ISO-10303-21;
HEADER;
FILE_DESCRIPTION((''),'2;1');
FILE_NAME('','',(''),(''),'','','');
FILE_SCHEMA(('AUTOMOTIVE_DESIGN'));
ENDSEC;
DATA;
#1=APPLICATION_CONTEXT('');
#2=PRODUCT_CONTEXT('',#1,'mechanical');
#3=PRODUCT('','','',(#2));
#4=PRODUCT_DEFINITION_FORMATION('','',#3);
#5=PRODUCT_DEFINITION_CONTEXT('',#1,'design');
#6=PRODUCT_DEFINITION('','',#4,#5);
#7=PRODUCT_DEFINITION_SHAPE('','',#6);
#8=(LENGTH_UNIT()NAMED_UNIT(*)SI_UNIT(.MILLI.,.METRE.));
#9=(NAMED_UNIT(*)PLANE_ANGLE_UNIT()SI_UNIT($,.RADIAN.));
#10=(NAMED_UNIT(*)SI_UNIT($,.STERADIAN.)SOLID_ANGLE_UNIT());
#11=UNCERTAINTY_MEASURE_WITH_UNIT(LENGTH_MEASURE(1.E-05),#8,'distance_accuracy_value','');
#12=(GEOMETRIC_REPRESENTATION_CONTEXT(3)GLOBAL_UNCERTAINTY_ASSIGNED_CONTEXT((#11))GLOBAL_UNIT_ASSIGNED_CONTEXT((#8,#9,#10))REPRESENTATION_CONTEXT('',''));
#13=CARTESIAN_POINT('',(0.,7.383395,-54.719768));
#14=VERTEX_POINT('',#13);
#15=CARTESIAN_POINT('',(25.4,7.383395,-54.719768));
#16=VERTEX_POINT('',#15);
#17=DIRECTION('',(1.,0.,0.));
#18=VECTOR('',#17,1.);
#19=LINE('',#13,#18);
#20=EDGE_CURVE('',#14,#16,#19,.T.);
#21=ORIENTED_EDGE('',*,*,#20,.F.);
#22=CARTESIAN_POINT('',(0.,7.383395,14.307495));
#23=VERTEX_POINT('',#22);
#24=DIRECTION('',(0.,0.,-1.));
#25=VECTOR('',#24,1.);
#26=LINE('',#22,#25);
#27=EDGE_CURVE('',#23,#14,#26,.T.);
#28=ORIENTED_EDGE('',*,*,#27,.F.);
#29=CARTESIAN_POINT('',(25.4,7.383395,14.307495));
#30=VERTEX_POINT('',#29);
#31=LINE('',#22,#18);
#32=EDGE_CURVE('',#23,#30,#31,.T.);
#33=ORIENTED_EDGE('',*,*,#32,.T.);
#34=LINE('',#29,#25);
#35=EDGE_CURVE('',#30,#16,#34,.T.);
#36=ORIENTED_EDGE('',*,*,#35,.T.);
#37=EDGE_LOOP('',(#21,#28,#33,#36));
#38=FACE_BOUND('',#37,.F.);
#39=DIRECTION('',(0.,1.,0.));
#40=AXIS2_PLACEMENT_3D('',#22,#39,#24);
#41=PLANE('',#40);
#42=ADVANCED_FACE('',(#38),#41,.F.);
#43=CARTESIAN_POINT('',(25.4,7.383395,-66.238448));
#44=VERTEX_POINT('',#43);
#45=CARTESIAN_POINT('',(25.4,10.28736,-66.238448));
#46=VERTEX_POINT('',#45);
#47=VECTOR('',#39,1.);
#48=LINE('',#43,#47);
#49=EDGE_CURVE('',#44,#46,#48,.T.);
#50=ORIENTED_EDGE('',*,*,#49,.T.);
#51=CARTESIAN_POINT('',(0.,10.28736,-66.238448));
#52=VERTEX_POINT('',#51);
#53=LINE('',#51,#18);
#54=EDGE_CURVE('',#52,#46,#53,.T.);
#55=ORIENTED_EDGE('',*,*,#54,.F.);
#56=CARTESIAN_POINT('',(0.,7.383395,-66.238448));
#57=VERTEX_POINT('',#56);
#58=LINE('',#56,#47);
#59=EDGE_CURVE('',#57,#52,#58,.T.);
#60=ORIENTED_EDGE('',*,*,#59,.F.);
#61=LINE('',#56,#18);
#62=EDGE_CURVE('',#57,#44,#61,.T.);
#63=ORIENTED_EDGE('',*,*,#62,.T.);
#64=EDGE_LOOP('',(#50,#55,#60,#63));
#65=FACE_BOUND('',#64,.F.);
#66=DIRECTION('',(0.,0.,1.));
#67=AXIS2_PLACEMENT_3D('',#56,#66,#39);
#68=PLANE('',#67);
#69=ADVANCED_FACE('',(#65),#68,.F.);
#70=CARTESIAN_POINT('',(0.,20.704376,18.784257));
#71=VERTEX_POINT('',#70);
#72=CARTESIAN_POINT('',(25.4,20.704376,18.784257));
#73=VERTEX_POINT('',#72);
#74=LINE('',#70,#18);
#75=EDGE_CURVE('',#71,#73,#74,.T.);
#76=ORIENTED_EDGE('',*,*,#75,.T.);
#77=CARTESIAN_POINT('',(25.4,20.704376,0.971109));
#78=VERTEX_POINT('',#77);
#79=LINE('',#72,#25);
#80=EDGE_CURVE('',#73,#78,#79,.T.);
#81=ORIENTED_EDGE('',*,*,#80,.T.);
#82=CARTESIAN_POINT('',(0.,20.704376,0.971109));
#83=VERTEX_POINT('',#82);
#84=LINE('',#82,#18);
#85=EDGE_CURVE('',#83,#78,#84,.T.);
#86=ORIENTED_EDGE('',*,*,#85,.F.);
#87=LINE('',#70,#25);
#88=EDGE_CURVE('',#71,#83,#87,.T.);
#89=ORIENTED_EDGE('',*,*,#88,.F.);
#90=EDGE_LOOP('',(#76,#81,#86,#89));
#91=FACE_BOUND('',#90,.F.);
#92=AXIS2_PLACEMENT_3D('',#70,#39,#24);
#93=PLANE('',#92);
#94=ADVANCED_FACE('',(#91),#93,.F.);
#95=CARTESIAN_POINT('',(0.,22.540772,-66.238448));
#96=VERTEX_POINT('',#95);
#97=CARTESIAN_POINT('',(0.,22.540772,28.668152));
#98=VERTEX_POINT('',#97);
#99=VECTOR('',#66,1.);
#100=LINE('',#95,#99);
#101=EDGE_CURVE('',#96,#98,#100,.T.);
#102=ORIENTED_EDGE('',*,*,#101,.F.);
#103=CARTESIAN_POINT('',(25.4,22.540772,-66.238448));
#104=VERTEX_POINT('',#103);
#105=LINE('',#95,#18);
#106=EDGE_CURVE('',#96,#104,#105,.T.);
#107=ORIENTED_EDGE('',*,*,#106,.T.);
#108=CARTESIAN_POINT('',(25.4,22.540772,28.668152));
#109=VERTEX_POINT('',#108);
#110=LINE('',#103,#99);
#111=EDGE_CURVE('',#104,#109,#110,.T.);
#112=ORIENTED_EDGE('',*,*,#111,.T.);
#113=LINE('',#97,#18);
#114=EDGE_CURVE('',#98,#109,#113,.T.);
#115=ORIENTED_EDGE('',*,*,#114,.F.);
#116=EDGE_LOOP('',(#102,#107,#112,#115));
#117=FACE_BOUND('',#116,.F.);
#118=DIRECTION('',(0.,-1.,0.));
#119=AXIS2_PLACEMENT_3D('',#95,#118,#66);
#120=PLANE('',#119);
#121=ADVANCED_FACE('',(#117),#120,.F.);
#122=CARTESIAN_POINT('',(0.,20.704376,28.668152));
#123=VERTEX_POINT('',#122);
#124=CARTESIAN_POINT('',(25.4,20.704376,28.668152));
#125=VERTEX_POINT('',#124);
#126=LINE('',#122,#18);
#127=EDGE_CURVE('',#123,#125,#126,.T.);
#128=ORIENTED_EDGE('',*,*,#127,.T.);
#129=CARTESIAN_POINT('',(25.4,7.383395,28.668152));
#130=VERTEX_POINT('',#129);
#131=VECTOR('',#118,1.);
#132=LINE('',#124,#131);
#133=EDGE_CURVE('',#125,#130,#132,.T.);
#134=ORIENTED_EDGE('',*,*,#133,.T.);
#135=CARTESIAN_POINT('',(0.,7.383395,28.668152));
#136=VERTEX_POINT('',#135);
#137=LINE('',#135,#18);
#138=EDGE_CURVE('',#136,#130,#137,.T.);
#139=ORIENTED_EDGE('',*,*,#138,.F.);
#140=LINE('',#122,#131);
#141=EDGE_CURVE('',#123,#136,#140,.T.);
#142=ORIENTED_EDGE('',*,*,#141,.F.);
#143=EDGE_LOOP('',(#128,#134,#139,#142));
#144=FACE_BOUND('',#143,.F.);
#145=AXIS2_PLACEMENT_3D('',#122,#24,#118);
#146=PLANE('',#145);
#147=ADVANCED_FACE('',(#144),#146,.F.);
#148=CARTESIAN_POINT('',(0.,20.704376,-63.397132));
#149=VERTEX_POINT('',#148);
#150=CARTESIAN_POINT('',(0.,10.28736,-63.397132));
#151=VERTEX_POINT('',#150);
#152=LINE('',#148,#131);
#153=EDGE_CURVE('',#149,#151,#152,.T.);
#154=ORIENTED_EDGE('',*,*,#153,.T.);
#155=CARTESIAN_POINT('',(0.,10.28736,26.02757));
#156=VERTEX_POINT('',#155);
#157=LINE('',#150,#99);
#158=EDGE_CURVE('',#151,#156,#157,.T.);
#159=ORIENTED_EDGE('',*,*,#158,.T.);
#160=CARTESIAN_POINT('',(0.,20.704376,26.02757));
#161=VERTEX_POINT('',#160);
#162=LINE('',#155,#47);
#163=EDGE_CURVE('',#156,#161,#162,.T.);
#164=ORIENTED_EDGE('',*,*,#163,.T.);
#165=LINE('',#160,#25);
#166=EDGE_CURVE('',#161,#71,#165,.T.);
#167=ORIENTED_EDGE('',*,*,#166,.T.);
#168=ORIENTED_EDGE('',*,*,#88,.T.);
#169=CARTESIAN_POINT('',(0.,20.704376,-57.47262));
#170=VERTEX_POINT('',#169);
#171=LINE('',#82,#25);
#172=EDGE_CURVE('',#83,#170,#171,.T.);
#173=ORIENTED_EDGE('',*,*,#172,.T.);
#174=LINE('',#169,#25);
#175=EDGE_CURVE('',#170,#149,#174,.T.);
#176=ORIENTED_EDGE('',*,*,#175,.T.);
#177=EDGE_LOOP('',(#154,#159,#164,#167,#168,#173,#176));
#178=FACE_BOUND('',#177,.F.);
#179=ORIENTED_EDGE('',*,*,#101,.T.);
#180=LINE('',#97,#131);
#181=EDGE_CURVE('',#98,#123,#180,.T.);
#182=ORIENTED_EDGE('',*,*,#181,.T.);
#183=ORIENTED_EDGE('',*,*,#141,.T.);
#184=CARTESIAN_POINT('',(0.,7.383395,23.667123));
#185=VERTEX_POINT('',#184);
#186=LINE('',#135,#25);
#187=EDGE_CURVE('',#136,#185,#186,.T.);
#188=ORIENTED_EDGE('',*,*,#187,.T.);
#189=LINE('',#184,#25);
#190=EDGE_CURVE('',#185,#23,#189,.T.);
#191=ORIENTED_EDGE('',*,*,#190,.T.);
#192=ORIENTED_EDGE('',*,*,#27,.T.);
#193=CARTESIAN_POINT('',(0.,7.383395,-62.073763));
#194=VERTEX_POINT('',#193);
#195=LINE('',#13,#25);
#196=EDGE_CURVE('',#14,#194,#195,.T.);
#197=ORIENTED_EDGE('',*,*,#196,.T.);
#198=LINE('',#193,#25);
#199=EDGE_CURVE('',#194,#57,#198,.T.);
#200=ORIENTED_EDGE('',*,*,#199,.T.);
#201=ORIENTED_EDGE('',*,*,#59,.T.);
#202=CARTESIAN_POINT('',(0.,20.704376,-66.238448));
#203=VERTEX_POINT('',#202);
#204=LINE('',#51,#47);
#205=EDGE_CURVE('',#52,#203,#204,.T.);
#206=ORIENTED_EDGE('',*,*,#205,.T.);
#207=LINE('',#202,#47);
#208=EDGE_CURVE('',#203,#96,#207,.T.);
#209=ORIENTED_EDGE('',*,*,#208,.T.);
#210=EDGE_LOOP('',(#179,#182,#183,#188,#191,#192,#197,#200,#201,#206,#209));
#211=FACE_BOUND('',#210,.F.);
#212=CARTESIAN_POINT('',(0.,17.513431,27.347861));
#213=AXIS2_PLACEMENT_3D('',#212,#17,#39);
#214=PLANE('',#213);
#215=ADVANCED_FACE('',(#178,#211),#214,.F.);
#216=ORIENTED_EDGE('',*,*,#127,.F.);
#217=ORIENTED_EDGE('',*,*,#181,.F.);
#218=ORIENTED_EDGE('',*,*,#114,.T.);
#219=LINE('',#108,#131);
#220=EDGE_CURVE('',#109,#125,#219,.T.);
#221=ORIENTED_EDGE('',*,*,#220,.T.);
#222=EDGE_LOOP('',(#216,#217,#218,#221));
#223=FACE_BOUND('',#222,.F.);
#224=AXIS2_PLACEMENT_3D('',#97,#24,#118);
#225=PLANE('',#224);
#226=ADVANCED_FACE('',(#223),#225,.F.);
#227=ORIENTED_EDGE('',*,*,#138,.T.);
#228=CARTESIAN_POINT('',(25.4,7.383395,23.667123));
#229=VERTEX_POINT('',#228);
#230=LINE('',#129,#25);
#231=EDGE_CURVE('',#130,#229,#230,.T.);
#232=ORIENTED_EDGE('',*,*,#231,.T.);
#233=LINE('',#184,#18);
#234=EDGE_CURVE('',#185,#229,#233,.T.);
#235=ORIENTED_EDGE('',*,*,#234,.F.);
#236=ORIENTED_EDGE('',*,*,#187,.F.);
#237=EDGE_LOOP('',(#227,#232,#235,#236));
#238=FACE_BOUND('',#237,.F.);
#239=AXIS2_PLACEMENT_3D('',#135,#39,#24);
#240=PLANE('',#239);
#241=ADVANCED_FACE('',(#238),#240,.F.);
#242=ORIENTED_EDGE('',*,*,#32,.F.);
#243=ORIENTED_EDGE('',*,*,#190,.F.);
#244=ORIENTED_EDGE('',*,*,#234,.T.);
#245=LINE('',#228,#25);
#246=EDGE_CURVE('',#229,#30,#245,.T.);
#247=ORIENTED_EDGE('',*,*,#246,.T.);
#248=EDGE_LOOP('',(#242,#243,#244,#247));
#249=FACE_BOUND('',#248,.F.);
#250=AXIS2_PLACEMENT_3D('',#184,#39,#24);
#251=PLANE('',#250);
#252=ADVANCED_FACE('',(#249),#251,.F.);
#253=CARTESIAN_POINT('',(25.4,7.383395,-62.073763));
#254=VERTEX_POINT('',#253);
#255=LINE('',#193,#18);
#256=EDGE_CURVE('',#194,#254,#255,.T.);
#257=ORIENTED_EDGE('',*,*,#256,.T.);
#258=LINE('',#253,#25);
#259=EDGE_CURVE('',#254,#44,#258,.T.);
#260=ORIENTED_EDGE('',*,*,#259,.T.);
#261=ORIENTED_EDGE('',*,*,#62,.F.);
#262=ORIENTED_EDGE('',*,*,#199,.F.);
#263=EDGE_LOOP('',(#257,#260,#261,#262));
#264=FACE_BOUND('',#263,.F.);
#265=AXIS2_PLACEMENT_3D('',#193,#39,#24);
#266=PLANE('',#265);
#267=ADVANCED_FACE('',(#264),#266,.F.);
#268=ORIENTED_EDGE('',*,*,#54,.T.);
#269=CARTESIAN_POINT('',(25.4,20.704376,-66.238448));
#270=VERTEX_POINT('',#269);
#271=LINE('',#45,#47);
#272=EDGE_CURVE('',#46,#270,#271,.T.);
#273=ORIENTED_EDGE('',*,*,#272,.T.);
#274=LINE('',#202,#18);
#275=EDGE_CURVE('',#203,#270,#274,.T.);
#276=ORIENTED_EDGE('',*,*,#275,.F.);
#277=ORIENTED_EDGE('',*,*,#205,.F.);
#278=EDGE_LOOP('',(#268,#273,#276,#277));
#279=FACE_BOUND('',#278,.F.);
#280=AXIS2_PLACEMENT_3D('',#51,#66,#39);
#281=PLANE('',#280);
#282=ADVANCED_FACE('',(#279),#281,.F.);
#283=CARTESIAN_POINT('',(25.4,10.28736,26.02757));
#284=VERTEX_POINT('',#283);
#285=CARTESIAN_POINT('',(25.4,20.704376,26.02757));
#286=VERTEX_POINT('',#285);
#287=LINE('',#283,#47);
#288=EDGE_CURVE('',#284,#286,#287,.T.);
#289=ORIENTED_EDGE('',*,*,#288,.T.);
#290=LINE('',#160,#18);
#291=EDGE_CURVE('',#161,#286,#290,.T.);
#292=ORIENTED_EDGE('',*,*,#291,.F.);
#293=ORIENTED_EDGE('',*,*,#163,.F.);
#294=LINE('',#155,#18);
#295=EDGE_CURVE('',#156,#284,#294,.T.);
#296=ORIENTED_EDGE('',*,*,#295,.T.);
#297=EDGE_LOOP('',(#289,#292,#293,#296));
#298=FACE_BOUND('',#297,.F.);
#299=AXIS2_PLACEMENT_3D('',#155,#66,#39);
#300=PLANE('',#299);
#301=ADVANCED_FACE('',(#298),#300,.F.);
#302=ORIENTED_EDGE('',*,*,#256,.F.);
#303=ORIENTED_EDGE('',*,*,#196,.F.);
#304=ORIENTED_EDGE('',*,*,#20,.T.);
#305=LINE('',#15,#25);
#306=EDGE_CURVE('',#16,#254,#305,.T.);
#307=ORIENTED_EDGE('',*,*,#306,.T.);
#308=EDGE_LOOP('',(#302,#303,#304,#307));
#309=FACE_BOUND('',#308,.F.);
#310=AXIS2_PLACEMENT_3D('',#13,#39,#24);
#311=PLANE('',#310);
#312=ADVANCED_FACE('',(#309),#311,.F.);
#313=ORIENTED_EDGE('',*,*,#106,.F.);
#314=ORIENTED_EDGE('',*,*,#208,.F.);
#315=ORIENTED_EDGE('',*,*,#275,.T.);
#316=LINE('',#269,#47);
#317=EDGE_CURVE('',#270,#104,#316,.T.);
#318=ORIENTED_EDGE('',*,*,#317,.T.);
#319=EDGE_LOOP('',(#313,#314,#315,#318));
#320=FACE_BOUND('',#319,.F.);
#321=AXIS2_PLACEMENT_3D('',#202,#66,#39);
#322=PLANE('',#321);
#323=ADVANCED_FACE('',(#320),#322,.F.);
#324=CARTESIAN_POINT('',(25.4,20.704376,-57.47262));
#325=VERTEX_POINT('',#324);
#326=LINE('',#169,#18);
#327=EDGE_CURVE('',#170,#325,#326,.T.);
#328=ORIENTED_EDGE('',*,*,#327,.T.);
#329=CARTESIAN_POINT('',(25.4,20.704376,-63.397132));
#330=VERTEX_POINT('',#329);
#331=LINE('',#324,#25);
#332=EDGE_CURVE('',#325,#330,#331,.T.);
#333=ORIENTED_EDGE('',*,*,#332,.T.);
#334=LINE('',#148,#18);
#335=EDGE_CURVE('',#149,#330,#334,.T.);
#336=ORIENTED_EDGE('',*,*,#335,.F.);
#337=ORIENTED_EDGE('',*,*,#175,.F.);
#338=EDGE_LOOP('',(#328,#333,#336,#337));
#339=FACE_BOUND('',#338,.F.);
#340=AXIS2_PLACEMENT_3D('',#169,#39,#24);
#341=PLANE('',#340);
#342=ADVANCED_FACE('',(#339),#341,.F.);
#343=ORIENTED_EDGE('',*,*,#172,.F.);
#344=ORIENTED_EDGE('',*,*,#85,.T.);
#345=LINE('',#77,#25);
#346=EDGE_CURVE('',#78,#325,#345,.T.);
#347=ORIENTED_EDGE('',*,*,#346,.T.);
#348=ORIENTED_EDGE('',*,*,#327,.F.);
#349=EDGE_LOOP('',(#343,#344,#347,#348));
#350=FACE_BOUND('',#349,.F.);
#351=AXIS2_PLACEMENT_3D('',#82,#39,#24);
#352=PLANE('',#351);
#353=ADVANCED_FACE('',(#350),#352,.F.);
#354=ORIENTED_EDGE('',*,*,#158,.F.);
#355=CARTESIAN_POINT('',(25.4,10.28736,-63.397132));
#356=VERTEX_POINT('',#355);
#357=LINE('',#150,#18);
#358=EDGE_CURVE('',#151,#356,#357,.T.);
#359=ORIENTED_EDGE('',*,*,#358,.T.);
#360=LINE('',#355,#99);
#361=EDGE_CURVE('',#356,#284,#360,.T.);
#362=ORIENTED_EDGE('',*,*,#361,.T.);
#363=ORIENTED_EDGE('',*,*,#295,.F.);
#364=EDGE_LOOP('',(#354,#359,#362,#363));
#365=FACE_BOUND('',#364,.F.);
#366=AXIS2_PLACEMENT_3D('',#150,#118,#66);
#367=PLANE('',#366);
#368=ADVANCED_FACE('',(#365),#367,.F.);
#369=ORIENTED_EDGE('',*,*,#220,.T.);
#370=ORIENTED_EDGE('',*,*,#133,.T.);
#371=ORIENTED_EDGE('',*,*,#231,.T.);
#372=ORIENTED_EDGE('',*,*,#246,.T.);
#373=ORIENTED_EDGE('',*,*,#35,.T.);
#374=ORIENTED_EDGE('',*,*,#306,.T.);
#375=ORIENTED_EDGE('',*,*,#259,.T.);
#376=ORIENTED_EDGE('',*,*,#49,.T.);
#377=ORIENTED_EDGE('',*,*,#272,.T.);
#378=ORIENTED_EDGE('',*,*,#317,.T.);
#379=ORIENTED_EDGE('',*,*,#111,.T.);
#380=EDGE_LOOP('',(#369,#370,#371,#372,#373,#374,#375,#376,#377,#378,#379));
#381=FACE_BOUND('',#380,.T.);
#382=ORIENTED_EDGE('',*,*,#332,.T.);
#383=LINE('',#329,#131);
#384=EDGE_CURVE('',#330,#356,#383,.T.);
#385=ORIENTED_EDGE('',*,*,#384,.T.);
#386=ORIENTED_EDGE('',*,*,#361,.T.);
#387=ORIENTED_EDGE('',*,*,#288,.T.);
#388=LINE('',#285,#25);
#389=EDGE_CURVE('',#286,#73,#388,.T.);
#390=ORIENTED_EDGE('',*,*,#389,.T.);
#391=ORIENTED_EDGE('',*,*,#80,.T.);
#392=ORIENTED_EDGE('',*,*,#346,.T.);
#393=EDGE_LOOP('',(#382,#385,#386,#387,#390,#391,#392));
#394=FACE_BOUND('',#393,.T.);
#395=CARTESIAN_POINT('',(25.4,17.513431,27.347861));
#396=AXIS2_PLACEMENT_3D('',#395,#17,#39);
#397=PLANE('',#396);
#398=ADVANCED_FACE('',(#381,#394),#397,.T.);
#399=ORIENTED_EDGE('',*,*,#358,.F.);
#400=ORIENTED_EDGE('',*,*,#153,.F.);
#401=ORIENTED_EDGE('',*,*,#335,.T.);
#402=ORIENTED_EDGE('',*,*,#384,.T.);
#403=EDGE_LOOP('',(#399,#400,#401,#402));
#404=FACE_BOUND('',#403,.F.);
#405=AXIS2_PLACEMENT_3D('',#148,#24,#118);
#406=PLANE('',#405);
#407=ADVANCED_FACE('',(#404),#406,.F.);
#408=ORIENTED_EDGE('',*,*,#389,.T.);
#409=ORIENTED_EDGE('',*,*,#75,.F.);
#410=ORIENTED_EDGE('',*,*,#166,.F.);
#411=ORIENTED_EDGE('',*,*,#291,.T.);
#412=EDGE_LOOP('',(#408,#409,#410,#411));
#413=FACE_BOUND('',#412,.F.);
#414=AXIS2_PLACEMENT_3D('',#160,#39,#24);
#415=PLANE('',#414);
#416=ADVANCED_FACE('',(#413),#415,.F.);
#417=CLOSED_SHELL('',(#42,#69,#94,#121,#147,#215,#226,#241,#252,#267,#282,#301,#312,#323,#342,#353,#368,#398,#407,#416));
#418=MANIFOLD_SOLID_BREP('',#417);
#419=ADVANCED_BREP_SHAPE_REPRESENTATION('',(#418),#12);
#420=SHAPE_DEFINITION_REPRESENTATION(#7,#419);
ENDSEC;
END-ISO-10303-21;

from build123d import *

# Parameters (mm, degrees)
F0_W     = 6.3818898052
F0_H     = 2.6405826211
F0_W_2   = 4.0351254866
F0_W_3   = 1.8363967538
F0_H_2   = 9.3658650294
F0_W_4   = 2.9039648362
F0_H_3   = 4.8469491303
F0_H_4   = 8.4472823073
F0_H_5   = 4.5126788318
F0_H_6   = 9.1429433669
F0_H_7   = 4.6798149124
F0_H_8   = 10.1367384195
F0_H_9   = 5.1812240854
F0_H_10  = 8.6460430175
F0_H_11  = 4.4464562088
F0_H_12  = 12.1996160597
F0_H_13  = 5.0803082995
F0_H_14  = 8.9819207788
F0_H_15  = 4.6798144467
F0_H_16  = 9.3364678323
F0_H_17  = 4.3455418199
F0_H_18  = 4.8469509929
F0_H_19  = 2.8413161635
F0_H_20  = 3.6769974977
F0_H_21  = 4.6798158437
F0_H_22  = 3.1755901873
F0_H_23  = 4.3455399573
F0_H_24  = 4.178404808
F0_H_25  = 4.1784085333
F0_H_26  = 4.6798139811
F1_DEPTH = 25.4


with BuildPart() as f1:
    # F0 (on Right) → F1 (new body)
    with BuildSketch(Plane.YZ):
        with Locations((17.5134306774, 27.3478608578)):
            Rectangle(F0_W, F0_H)
        with Locations((12.3049230315, 27.3478608578)):
            Rectangle(F0_W_2, F0_H)
        Polygon((22.5407723337, 28.6681521684), (20.70437558, 28.6681521684), (20.70437558, 26.0275695473), (20.70437558, 18.784256652), (22.5407723337, 18.784256652), align=None)
        Polygon((10.2873602882, 26.0275695473), (10.2873602882, 28.6681521684), (7.3833954521, 28.6681521684), (7.3833954521, 23.6671231687), (10.2873602882, 23.6671231687), align=None)
        with Locations((21.6225739568, 14.1013241373)):
            Rectangle(F0_W_3, F0_H_2)
        with Locations((8.8353778701, 21.2436486036)):
            Rectangle(F0_W_4, F0_H_3)
        with Locations((21.6225739568, 5.1947504689)):
            Rectangle(F0_W_3, F0_H_4)
        with Locations((8.8353778701, 16.5638346225)):
            Rectangle(F0_W_4, F0_H_5)
        with Locations((21.6225739568, -3.6003623682)):
            Rectangle(F0_W_3, F0_H_6)
        with Locations((8.8353778701, 11.9675877504)):
            Rectangle(F0_W_4, F0_H_7)
        with Locations((21.6225739568, -13.2402032614)):
            Rectangle(F0_W_3, F0_H_8)
        with Locations((8.8353778701, 7.0370682515)):
            Rectangle(F0_W_4, F0_H_9)
        with Locations((21.6225739568, -22.6315939799)):
            Rectangle(F0_W_3, F0_H_10)
        with Locations((8.8353778701, 2.2232281044)):
            Rectangle(F0_W_4, F0_H_11)
        with Locations((21.6225739568, -33.0544235185)):
            Rectangle(F0_W_3, F0_H_12)
        with Locations((8.8353778701, -2.5401541498)):
            Rectangle(F0_W_4, F0_H_13)
        with Locations((21.6225739568, -43.6451919377)):
            Rectangle(F0_W_3, F0_H_14)
        with Locations((8.8353778701, -7.4202155229)):
            Rectangle(F0_W_4, F0_H_15)
        with Locations((21.6225739568, -52.8043862432)):
            Rectangle(F0_W_3, F0_H_16)
        with Locations((8.8353778701, -11.9328936562)):
            Rectangle(F0_W_4, F0_H_17)
        Polygon((22.5407723337, -57.4726201594), (20.70437558, -57.4726201594), (20.70437558, -63.3971318603), (20.70437558, -66.2384480238), (22.5407723337, -66.2384480238), align=None)
        with Locations((8.8353778701, -16.5291400626)):
            Rectangle(F0_W_4, F0_H_18)
        with Locations((17.5134306774, -64.817789942)):
            Rectangle(F0_W, F0_H_19)
        with Locations((8.8353778701, -20.7911143079)):
            Rectangle(F0_W_4, F0_H_20)
        with Locations((12.3049230315, -64.817789942)):
            Rectangle(F0_W_2, F0_H_19)
        with Locations((8.8353778701, -25.0530876219)):
            Rectangle(F0_W_4, F0_H_3)
        Polygon((10.2873602882, -66.2384480238), (10.2873602882, -63.3971318603), (10.2873602882, -62.0737634599), (7.3833954521, -62.0737634599), (7.3833954521, -66.2384480238), align=None)
        with Locations((8.8353778701, -29.8164701089)):
            Rectangle(F0_W_4, F0_H_21)
        with Locations((8.8353778701, -60.4859683663)):
            Rectangle(F0_W_4, F0_H_22)
        with Locations((8.8353778701, -34.3291480094)):
            Rectangle(F0_W_4, F0_H_23)
        with Locations((8.8353778701, -56.8089708686)):
            Rectangle(F0_W_4, F0_H_24)
        with Locations((8.8353778701, -38.5911222547)):
            Rectangle(F0_W_4, F0_H_25)
        with Locations((8.8353778701, -52.2962938994)):
            Rectangle(F0_W_4, F0_H_3)
        with Locations((8.8353778701, -43.0202335119)):
            Rectangle(F0_W_4, F0_H_26)
        with Locations((8.8353778701, -47.6164799184)):
            Rectangle(F0_W_4, F0_H_5)
    extrude(amount=F1_DEPTH)


solid = f1.part
